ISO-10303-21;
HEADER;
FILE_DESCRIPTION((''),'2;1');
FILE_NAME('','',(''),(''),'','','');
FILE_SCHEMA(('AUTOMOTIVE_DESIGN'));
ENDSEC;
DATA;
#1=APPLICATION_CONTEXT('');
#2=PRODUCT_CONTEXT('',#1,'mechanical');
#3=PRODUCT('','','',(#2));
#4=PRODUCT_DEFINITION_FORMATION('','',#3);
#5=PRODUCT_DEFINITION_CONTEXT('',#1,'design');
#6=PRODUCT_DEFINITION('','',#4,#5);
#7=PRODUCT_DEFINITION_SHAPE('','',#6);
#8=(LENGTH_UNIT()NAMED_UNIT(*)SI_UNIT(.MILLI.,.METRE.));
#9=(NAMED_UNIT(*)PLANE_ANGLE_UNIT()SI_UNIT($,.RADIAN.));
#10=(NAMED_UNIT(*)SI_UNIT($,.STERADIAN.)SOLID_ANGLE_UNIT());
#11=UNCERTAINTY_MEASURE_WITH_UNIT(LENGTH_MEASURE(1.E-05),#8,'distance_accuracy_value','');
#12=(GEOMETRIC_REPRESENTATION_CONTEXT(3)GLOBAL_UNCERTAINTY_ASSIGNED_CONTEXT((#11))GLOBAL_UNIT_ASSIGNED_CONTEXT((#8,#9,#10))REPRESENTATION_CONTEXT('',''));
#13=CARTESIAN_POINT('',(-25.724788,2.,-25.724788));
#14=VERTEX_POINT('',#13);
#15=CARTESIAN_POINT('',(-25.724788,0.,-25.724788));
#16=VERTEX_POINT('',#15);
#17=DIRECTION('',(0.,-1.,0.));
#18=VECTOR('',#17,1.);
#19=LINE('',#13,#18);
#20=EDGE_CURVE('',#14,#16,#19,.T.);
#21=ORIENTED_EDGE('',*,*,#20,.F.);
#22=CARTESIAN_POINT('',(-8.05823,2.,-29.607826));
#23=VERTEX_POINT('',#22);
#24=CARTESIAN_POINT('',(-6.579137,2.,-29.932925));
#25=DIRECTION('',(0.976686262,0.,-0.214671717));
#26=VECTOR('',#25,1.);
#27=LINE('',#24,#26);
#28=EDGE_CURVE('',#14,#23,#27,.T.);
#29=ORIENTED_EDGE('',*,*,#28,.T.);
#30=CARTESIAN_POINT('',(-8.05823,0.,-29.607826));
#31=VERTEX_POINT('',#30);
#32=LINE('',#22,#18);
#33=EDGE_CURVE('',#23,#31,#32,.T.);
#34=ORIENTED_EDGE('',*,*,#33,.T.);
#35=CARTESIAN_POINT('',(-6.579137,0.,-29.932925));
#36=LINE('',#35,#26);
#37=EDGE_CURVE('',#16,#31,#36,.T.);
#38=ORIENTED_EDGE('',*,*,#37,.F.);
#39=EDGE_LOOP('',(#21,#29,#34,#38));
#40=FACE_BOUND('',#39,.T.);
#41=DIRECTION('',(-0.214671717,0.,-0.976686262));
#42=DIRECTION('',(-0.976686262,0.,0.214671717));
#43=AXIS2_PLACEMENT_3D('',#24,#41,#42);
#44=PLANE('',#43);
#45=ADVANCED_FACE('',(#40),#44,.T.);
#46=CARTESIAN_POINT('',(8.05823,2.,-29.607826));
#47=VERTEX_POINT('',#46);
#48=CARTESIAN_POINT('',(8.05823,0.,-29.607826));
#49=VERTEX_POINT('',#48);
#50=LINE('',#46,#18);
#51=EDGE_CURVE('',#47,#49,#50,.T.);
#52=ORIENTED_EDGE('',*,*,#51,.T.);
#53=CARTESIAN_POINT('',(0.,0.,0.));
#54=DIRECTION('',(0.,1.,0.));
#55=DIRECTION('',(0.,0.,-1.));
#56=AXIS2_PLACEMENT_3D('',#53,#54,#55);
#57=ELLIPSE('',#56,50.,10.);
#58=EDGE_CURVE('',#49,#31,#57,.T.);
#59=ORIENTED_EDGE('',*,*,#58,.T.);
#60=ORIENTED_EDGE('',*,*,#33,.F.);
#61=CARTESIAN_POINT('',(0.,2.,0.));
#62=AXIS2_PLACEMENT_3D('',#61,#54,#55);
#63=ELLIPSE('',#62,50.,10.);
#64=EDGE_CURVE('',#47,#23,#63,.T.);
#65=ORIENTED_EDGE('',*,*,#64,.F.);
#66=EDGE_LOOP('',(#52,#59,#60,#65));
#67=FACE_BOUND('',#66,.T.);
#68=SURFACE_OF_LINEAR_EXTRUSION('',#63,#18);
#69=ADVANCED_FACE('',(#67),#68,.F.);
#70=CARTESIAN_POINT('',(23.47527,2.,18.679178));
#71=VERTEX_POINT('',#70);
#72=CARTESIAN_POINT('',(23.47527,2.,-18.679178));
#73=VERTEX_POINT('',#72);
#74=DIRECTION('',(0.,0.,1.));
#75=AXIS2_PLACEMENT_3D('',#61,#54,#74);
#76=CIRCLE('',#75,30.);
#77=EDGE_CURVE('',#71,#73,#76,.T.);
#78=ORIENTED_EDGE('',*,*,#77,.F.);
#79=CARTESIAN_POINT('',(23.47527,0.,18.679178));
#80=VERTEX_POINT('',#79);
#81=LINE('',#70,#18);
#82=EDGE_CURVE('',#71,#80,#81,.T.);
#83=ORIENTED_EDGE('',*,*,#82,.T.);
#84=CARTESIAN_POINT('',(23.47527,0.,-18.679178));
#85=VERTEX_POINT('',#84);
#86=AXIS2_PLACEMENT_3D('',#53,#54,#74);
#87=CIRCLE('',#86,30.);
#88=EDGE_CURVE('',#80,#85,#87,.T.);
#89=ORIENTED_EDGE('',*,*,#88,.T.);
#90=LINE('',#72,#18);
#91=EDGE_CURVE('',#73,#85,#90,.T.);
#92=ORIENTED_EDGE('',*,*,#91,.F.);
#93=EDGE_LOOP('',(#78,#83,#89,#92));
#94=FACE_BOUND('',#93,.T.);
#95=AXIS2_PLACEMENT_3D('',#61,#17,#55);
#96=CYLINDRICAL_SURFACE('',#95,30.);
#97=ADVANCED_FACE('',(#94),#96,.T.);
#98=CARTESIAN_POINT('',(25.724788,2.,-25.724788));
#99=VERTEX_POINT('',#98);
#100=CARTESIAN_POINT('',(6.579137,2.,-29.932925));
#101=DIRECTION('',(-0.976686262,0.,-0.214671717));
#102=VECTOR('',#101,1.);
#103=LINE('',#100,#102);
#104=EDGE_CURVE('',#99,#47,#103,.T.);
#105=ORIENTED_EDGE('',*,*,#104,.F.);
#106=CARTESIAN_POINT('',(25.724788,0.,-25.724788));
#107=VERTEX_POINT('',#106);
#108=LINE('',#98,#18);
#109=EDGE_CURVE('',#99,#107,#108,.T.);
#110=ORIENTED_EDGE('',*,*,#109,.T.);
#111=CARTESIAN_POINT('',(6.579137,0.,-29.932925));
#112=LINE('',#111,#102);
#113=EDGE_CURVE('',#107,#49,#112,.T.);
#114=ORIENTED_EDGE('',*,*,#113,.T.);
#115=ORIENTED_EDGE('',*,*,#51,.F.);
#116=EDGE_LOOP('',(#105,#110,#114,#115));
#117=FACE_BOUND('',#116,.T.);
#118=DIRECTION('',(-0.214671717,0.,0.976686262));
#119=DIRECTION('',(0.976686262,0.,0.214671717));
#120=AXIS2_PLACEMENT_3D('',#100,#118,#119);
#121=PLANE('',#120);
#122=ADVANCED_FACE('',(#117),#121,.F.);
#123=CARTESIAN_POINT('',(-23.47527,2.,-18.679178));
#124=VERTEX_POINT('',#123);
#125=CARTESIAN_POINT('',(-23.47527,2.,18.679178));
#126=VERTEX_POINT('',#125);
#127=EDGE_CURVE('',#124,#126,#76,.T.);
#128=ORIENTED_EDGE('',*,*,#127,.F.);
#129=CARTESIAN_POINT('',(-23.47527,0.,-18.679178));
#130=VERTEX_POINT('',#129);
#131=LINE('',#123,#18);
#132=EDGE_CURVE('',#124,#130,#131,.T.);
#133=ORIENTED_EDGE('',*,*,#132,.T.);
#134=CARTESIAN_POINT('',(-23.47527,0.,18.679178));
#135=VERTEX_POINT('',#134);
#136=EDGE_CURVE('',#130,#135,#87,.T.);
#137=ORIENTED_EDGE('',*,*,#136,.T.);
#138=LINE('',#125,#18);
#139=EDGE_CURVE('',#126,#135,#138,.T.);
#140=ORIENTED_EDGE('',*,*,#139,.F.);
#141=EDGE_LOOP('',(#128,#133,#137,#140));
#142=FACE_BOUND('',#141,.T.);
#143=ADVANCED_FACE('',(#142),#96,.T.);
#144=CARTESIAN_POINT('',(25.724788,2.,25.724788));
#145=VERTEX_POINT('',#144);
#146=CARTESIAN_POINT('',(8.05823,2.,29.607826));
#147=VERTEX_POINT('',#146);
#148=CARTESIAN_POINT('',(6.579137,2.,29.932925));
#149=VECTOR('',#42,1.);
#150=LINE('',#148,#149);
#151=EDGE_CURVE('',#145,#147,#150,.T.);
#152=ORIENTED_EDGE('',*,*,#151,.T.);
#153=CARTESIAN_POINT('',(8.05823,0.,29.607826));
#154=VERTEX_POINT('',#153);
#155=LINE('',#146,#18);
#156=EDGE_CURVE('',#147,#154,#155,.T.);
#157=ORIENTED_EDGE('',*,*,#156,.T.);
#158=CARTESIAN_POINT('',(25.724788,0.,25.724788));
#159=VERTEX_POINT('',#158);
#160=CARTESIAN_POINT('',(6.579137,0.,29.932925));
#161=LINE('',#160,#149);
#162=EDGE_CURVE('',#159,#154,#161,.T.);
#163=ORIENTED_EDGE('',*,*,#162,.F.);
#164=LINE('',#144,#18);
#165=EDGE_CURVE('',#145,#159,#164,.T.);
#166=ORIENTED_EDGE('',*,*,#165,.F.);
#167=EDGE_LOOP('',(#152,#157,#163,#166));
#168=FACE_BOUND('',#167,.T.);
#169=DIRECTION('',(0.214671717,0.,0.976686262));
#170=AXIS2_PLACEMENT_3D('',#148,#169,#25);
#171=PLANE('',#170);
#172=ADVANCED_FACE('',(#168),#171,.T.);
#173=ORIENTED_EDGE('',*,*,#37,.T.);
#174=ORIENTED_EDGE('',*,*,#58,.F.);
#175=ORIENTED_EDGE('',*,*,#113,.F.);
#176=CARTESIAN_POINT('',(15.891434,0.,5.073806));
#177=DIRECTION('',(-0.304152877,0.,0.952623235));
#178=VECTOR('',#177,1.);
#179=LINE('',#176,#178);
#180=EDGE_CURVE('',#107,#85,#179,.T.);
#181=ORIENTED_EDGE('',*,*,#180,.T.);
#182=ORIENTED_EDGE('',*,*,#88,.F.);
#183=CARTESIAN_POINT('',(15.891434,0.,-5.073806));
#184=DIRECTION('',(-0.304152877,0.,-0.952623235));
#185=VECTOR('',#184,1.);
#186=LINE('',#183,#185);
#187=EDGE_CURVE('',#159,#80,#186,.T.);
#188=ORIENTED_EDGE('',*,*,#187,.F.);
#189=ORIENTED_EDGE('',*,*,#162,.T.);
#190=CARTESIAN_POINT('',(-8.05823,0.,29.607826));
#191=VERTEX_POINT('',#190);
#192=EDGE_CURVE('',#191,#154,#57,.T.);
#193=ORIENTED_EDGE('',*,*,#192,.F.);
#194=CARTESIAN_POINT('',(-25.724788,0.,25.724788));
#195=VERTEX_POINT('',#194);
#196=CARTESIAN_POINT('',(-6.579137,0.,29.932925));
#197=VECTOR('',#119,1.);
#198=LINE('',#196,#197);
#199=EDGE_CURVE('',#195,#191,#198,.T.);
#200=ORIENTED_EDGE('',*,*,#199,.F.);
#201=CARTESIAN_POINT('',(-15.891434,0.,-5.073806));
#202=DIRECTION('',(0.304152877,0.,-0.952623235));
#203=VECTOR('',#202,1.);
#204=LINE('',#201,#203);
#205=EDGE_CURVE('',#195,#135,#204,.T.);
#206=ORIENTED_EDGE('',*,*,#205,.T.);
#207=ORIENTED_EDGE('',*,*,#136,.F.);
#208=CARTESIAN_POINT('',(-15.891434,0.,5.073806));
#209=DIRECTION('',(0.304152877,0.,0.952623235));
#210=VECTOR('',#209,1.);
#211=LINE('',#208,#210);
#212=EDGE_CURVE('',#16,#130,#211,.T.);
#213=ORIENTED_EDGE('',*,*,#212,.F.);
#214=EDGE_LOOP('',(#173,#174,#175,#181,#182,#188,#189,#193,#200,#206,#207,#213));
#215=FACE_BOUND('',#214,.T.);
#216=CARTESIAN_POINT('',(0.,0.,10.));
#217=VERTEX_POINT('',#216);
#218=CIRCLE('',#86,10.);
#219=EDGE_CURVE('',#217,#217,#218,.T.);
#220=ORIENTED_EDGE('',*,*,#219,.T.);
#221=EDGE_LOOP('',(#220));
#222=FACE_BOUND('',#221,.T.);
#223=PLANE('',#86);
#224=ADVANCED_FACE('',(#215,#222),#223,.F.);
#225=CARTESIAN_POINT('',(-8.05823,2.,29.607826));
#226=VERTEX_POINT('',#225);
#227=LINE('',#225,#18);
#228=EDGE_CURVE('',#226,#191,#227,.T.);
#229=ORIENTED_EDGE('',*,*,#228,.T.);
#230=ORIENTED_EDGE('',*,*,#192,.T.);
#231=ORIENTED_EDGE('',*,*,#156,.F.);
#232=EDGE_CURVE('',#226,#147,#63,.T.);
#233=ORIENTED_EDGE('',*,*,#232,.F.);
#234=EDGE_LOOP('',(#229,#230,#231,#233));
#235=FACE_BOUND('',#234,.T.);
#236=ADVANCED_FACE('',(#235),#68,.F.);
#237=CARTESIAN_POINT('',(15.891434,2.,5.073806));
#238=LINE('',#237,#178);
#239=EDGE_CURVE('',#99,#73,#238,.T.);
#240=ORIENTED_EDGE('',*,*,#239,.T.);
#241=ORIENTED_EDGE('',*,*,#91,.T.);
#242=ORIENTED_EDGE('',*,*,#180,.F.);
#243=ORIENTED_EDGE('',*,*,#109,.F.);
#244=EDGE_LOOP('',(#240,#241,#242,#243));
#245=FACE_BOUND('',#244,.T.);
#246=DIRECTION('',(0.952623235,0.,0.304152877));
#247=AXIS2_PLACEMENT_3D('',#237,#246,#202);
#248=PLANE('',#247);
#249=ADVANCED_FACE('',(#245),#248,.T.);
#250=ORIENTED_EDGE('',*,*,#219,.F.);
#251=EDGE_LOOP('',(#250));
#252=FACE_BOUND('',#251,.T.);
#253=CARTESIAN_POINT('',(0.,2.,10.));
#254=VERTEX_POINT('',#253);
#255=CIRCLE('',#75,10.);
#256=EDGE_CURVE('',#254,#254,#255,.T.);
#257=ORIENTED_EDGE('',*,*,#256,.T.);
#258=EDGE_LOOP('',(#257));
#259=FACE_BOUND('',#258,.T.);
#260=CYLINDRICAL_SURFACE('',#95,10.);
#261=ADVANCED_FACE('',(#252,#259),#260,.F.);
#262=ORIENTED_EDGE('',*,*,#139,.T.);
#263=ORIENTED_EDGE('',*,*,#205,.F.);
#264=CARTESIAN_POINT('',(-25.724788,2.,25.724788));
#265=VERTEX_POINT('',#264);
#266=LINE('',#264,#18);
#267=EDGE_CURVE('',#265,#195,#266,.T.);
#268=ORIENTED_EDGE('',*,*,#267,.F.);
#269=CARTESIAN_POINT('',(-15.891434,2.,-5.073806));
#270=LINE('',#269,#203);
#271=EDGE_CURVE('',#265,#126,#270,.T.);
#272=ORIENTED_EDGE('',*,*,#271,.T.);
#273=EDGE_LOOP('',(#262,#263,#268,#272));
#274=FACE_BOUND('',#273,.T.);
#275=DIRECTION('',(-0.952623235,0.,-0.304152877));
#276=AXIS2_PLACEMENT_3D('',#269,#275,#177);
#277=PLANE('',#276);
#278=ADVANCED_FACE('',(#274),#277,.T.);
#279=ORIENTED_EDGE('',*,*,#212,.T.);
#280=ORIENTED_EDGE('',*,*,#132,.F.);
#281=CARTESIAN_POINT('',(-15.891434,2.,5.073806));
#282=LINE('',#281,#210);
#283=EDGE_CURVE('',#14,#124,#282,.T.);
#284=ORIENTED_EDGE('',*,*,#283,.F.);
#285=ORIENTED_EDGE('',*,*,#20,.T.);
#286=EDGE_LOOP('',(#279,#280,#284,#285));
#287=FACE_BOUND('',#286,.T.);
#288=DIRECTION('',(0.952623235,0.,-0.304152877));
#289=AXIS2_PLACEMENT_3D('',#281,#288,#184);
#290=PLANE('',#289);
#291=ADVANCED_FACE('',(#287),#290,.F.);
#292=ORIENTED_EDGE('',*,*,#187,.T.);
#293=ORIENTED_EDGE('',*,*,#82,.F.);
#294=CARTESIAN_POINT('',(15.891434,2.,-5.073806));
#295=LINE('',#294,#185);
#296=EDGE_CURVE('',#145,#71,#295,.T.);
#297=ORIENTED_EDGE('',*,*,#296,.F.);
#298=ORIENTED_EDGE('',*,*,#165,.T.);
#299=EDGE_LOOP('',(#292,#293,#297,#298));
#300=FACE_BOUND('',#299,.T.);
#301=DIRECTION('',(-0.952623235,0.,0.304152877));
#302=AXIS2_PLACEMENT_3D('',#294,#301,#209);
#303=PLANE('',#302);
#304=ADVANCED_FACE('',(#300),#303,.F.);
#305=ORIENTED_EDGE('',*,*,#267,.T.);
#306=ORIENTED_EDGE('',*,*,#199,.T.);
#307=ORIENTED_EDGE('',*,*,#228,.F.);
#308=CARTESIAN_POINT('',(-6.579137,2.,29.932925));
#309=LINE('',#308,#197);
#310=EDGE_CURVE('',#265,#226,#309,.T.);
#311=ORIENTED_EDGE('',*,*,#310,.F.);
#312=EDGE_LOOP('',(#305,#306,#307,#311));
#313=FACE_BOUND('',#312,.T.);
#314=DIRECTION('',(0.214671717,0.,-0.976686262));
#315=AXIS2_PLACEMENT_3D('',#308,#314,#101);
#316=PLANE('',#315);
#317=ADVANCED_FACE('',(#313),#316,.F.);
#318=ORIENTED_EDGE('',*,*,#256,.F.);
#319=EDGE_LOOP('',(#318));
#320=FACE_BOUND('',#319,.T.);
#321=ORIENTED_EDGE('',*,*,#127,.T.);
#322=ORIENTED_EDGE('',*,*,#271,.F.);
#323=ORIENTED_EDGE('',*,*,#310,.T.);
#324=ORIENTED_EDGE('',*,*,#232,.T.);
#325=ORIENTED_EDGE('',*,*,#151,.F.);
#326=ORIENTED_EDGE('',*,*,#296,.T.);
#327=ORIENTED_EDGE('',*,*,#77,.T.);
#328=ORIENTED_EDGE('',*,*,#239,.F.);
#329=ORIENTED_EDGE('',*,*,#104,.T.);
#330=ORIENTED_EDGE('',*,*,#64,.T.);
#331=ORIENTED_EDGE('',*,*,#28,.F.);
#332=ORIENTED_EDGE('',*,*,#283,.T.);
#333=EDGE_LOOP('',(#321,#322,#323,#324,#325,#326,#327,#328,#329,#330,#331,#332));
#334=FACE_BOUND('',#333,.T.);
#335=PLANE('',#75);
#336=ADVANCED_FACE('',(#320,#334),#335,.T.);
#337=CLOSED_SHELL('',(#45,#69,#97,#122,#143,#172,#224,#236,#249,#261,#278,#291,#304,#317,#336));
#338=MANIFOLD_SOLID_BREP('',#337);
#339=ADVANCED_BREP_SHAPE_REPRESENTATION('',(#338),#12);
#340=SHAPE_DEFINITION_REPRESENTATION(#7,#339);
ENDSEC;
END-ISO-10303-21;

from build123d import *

# Parameters (mm, degrees)
SZKIC1_R                    = 10
DODANIE_WYCI_GNI_CIE1_DEPTH = 2


with BuildPart() as part:
    # Szkic1 → Dodanie-wyciągnięcie1 (new body)
    with BuildSketch(Plane(origin=(0, 0, 0), x_dir=(1, 0, 0), z_dir=(0, 1, 0))):
        with BuildLine():
            Line((25.724787771, -25.724787771), (23.475270357, -18.679177757))
            ThreePointArc((23.475270357, -18.679177757), (30, 0), (23.475270357, 18.679177757))
            Line((23.475270357, 18.679177757), (25.724787771, 25.724787771))
            Line((25.724787771, 25.724787771), (8.05822964, 29.607826273))
            add(Edge.make_bspline(
                [(8.05822964, 29.607826273), (7.79792239, 31.378992774), (7.507535684, 33.029118956)],
                knots=[5.346121376, 5.346121376, 5.346121376, 5.433983203, 5.433983203, 5.433983203], degree=2, weights=[1, 0.999035193, 1]))
            add(Edge.make_bspline(
                [(7.507535684, 33.029118956), (5.218865934, 46.034514162), (1.811566447, 49.17271271)],
                knots=[5.433983203, 5.433983203, 5.433983203, 6.101022879, 6.101022879, 6.101022879], degree=2, weights=[1, 0.944895907, 1]))
            add(Edge.make_bspline(
                [(1.811566447, 49.17271271), (0.913339162, 50), (0, 50)],
                knots=[6.101022879, 6.101022879, 6.101022879, 6.283185307, 6.283185307, 6.283185307], degree=2, weights=[1, 0.995854973, 1]))
            add(Edge.make_bspline(
                [(0, 50), (-0.913339162, 50), (-1.811566447, 49.17271271)],
                knots=[0, 0, 0, 0.182162428, 0.182162428, 0.182162428], degree=2, weights=[1, 0.995854973, 1]))
            add(Edge.make_bspline(
                [(-1.811566447, 49.17271271), (-5.218865934, 46.034514162), (-7.507535684, 33.029118956)],
                knots=[0.182162428, 0.182162428, 0.182162428, 0.849202104, 0.849202104, 0.849202104], degree=2, weights=[1, 0.944895907, 1]))
            add(Edge.make_bspline(
                [(-7.507535684, 33.029118956), (-7.79792239, 31.378992774), (-8.05822964, 29.607826273)],
                knots=[0.849202104, 0.849202104, 0.849202104, 0.937063931, 0.937063931, 0.937063931], degree=2, weights=[1, 0.999035193, 1]))
            Line((-8.05822964, 29.607826273), (-25.724787771, 25.724787771))
            Line((-25.724787771, 25.724787771), (-23.475270357, 18.679177757))
            ThreePointArc((-23.475270357, 18.679177757), (-30, 0), (-23.475270357, -18.679177757))
            Line((-23.475270357, -18.679177757), (-25.724787771, -25.724787771))
            Line((-25.724787771, -25.724787771), (-8.05822964, -29.607826273))
            add(Edge.make_bspline(
                [(-8.05822964, -29.607826273), (-7.79792239, -31.378992774), (-7.507535684, -33.029118956)],
                knots=[2.204528722, 2.204528722, 2.204528722, 2.292390549, 2.292390549, 2.292390549], degree=2, weights=[1, 0.999035193, 1]))
            add(Edge.make_bspline(
                [(-7.507535684, -33.029118956), (-5.218865934, -46.034514162), (-1.811566447, -49.17271271)],
                knots=[2.292390549, 2.292390549, 2.292390549, 2.959430225, 2.959430225, 2.959430225], degree=2, weights=[1, 0.944895907, 1]))
            add(Edge.make_bspline(
                [(-1.811566447, -49.17271271), (-0.913339162, -50), (0, -50)],
                knots=[2.959430225, 2.959430225, 2.959430225, 3.141592654, 3.141592654, 3.141592654], degree=2, weights=[1, 0.995854973, 1]))
            add(Edge.make_bspline(
                [(0, -50), (0.913339162, -50), (1.811566447, -49.17271271)],
                knots=[3.141592654, 3.141592654, 3.141592654, 3.323755082, 3.323755082, 3.323755082], degree=2, weights=[1, 0.995854973, 1]))
            add(Edge.make_bspline(
                [(1.811566447, -49.17271271), (5.218865934, -46.034514162), (7.507535684, -33.029118956)],
                knots=[3.323755082, 3.323755082, 3.323755082, 3.990794758, 3.990794758, 3.990794758], degree=2, weights=[1, 0.944895907, 1]))
            add(Edge.make_bspline(
                [(7.507535684, -33.029118956), (7.79792239, -31.378992774), (8.05822964, -29.607826273)],
                knots=[3.990794758, 3.990794758, 3.990794758, 4.078656585, 4.078656585, 4.078656585], degree=2, weights=[1, 0.999035193, 1]))
            Line((8.05822964, -29.607826273), (25.724787771, -25.724787771))
        make_face()
        with Locations(Location((0, 0, 0), (0, 0, 270))):
            Circle(SZKIC1_R, mode=Mode.SUBTRACT)
    extrude(amount=DODANIE_WYCI_GNI_CIE1_DEPTH)


solid = part.part
